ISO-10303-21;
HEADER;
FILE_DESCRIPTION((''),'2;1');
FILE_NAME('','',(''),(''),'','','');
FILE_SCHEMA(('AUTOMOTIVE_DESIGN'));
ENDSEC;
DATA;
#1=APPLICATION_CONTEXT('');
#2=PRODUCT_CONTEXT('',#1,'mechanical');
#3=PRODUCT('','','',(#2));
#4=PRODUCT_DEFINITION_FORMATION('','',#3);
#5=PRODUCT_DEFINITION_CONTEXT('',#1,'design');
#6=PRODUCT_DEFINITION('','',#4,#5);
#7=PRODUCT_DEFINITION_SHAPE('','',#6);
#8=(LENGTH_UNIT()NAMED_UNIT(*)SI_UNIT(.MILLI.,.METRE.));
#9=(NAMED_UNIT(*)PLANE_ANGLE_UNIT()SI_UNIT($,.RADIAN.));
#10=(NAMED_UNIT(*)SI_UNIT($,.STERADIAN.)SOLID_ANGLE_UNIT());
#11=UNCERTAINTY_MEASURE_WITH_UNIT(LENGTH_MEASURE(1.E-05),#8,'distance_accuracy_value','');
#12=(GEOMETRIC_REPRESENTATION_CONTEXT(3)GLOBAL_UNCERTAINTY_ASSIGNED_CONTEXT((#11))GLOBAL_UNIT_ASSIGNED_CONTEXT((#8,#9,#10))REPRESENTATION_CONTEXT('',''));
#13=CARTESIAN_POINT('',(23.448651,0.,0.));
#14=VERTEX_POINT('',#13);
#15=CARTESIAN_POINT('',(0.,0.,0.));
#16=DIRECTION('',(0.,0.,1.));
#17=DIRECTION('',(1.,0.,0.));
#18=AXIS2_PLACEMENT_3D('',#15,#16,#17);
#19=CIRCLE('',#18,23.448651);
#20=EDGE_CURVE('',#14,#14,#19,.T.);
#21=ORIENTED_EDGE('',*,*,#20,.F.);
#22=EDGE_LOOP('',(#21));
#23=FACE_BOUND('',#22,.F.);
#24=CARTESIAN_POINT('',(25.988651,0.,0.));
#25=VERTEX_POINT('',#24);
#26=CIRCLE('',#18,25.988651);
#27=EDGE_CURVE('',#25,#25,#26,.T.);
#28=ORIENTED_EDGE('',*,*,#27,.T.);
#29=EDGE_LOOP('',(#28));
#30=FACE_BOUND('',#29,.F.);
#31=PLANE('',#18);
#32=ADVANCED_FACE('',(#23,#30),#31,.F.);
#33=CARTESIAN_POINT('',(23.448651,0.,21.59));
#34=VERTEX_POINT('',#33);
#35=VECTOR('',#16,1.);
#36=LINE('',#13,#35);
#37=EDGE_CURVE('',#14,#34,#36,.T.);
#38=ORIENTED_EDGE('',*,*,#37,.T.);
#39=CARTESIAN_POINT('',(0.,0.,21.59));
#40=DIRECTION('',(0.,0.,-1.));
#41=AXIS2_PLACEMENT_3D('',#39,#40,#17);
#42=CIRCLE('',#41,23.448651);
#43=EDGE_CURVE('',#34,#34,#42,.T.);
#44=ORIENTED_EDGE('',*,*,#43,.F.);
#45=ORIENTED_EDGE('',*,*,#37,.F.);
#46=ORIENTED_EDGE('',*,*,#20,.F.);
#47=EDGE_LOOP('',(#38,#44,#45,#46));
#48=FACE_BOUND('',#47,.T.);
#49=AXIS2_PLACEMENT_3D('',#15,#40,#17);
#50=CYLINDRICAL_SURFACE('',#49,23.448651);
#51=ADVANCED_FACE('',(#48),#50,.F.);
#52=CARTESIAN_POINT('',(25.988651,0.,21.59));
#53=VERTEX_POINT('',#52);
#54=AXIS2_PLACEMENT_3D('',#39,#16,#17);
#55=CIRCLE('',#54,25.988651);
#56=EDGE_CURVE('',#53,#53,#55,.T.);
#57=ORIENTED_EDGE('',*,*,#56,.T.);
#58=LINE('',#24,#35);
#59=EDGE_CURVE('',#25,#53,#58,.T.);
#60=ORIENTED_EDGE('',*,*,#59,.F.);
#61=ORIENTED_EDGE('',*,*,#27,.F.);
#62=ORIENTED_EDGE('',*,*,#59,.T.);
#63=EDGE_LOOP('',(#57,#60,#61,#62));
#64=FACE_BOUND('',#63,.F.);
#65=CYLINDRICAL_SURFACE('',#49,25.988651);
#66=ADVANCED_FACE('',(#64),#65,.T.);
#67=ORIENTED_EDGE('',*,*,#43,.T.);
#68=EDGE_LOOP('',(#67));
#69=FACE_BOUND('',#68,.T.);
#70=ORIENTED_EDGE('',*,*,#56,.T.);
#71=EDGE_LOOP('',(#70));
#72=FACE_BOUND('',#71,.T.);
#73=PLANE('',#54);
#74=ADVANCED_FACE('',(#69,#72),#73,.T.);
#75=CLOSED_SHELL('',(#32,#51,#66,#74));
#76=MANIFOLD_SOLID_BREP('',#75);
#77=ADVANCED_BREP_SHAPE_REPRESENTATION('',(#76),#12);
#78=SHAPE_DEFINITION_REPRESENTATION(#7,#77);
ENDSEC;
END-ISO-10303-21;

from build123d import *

# Parameters (mm, degrees)
F0_R     = 25.988651
F3_DEPTH = 21.59
F2_R     = 23.448651
F4_DEPTH = 21.591


with BuildPart() as f3:
    # F0 (on Top) → F3 (new body)
    with BuildSketch(Plane.XY):
        Circle(F0_R)
    extrude(amount=F3_DEPTH)

    # F2 (on face) → F4 (cut, through all)
    with BuildSketch(Plane.XY):
        Circle(F2_R)
    extrude(amount=F4_DEPTH, mode=Mode.SUBTRACT)


solid = f3.part
